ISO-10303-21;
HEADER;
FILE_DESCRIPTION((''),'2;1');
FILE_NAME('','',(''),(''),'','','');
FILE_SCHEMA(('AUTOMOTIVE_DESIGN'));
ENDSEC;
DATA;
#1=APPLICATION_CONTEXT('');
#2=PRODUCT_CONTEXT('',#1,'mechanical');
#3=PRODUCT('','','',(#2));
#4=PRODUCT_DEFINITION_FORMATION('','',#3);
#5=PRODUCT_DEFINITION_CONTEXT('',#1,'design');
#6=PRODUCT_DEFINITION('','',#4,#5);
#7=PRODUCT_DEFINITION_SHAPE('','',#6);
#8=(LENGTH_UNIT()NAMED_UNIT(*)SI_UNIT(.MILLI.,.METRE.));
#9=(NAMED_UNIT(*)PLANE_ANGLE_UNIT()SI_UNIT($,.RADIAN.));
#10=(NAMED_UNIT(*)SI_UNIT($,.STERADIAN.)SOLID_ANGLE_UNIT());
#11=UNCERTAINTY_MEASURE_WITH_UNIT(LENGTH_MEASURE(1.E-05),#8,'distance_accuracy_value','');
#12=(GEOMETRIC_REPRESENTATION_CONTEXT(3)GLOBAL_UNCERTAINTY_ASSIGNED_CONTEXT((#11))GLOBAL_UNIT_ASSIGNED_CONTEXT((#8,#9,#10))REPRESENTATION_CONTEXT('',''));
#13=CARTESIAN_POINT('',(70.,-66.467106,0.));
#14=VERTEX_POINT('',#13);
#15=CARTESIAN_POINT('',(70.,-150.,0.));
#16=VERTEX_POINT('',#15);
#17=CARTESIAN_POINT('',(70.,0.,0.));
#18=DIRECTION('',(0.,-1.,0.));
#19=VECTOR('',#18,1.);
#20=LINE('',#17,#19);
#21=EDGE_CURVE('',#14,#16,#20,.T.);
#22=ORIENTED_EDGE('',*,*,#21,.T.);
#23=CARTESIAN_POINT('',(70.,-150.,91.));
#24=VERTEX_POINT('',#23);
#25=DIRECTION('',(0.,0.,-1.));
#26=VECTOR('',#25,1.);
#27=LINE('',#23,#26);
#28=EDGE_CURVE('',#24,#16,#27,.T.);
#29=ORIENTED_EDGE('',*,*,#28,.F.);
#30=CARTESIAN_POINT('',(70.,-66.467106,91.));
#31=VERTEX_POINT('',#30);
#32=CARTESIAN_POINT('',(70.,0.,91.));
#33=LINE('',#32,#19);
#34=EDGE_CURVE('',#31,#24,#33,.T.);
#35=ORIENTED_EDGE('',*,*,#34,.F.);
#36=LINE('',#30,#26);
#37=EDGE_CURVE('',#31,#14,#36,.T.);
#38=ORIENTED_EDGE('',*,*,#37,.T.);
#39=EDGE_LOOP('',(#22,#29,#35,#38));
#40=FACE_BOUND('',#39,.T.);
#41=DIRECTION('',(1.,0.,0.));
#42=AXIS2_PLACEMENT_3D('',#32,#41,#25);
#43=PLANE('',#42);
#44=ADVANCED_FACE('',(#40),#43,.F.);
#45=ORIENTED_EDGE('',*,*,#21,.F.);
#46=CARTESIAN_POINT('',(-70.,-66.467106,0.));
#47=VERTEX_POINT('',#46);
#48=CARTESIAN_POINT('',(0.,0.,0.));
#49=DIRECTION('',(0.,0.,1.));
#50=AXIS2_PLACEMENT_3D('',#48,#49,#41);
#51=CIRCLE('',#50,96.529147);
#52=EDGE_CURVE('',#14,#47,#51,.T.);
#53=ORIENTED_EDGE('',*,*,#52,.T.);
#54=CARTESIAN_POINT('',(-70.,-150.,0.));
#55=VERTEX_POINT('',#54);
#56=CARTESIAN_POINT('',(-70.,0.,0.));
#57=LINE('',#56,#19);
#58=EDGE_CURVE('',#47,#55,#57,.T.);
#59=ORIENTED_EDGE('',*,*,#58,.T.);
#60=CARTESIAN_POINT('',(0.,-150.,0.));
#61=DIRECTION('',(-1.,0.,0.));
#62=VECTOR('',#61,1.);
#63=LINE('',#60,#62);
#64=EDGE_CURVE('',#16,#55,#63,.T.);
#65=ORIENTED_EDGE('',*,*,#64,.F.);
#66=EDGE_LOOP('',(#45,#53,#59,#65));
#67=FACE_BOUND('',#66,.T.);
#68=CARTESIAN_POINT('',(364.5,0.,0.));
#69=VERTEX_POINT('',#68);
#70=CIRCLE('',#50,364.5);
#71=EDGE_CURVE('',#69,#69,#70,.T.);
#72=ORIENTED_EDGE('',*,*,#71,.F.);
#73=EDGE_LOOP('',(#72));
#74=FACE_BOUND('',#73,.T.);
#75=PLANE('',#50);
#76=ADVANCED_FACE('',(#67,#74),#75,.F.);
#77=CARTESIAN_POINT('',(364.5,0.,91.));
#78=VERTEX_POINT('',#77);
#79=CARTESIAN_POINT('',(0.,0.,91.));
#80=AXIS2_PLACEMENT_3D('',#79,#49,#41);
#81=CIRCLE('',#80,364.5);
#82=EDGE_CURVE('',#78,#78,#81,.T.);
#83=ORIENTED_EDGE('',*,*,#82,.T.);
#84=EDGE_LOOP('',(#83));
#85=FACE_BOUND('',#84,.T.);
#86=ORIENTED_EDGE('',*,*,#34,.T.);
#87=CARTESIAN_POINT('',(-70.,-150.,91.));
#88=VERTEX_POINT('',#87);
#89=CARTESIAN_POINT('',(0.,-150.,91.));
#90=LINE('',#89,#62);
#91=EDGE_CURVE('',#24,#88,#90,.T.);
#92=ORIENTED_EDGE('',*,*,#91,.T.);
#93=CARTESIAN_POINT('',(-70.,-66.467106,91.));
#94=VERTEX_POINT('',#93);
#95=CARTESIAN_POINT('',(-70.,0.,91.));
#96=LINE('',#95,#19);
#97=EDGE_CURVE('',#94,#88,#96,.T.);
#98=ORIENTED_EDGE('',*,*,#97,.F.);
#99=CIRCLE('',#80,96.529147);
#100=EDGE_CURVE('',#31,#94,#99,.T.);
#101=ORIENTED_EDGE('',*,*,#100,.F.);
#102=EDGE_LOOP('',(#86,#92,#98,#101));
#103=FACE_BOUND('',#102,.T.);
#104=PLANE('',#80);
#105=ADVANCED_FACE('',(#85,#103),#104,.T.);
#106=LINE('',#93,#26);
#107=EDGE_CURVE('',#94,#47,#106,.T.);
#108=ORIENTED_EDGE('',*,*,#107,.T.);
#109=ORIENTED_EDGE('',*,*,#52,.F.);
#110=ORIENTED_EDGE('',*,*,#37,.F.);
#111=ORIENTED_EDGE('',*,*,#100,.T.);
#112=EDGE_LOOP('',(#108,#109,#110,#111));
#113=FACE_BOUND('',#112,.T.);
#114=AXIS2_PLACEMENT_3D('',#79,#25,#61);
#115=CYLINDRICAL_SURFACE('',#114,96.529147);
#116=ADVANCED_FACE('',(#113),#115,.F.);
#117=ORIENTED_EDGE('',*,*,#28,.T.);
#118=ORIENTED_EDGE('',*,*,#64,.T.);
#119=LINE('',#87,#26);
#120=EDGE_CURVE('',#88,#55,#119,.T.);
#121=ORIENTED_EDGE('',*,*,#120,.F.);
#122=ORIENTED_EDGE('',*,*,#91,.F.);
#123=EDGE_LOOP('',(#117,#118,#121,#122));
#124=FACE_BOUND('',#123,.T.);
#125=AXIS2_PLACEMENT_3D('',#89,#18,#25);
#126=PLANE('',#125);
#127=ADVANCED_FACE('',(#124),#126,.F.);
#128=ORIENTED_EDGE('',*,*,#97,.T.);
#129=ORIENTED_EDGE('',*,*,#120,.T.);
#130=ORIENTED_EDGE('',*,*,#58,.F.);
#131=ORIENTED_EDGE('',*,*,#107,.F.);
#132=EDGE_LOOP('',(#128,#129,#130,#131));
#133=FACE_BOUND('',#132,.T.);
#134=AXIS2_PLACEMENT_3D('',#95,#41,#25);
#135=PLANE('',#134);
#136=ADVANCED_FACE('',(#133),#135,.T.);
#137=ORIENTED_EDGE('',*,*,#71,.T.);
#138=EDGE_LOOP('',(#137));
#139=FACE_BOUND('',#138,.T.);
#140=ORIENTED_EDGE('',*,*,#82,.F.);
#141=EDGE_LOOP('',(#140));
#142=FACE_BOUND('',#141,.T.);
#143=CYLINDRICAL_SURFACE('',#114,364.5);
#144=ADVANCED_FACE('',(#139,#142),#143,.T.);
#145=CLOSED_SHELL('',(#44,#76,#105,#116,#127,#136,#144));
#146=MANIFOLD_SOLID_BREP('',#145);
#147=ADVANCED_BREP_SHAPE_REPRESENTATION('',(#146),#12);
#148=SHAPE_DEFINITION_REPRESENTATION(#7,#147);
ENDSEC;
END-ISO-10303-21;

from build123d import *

# Parameters (mm, degrees)
BOSS_EXTRUDE2_DEPTH = 91


with BuildPart() as part:
    # Sketch1 → Boss-Extrude2 (new body)
    with BuildSketch(Plane.XY):
        with BuildLine():
            ThreePointArc((364.5, 0), (-257.740421742, 257.740421742), (0, -364.5))
            ThreePointArc((0, -364.5), (257.740421742, -257.740421742), (364.5, 0))
        make_face()
        with BuildLine():
            Line((70, -150), (0, -150))
            Line((0, -150), (-70, -150))
            Line((-70, -150), (-70, -66.467106312))
            ThreePointArc((-70, -66.467106312), (-35.78292841, 89.651872573), (96.529147005, 0))
            ThreePointArc((96.529147005, 0), (89.651872573, -35.78292841), (70, -66.467106312))
            Line((70, -66.467106312), (70, -150))
        make_face(mode=Mode.SUBTRACT)
    extrude(amount=BOSS_EXTRUDE2_DEPTH)


solid = part.part
